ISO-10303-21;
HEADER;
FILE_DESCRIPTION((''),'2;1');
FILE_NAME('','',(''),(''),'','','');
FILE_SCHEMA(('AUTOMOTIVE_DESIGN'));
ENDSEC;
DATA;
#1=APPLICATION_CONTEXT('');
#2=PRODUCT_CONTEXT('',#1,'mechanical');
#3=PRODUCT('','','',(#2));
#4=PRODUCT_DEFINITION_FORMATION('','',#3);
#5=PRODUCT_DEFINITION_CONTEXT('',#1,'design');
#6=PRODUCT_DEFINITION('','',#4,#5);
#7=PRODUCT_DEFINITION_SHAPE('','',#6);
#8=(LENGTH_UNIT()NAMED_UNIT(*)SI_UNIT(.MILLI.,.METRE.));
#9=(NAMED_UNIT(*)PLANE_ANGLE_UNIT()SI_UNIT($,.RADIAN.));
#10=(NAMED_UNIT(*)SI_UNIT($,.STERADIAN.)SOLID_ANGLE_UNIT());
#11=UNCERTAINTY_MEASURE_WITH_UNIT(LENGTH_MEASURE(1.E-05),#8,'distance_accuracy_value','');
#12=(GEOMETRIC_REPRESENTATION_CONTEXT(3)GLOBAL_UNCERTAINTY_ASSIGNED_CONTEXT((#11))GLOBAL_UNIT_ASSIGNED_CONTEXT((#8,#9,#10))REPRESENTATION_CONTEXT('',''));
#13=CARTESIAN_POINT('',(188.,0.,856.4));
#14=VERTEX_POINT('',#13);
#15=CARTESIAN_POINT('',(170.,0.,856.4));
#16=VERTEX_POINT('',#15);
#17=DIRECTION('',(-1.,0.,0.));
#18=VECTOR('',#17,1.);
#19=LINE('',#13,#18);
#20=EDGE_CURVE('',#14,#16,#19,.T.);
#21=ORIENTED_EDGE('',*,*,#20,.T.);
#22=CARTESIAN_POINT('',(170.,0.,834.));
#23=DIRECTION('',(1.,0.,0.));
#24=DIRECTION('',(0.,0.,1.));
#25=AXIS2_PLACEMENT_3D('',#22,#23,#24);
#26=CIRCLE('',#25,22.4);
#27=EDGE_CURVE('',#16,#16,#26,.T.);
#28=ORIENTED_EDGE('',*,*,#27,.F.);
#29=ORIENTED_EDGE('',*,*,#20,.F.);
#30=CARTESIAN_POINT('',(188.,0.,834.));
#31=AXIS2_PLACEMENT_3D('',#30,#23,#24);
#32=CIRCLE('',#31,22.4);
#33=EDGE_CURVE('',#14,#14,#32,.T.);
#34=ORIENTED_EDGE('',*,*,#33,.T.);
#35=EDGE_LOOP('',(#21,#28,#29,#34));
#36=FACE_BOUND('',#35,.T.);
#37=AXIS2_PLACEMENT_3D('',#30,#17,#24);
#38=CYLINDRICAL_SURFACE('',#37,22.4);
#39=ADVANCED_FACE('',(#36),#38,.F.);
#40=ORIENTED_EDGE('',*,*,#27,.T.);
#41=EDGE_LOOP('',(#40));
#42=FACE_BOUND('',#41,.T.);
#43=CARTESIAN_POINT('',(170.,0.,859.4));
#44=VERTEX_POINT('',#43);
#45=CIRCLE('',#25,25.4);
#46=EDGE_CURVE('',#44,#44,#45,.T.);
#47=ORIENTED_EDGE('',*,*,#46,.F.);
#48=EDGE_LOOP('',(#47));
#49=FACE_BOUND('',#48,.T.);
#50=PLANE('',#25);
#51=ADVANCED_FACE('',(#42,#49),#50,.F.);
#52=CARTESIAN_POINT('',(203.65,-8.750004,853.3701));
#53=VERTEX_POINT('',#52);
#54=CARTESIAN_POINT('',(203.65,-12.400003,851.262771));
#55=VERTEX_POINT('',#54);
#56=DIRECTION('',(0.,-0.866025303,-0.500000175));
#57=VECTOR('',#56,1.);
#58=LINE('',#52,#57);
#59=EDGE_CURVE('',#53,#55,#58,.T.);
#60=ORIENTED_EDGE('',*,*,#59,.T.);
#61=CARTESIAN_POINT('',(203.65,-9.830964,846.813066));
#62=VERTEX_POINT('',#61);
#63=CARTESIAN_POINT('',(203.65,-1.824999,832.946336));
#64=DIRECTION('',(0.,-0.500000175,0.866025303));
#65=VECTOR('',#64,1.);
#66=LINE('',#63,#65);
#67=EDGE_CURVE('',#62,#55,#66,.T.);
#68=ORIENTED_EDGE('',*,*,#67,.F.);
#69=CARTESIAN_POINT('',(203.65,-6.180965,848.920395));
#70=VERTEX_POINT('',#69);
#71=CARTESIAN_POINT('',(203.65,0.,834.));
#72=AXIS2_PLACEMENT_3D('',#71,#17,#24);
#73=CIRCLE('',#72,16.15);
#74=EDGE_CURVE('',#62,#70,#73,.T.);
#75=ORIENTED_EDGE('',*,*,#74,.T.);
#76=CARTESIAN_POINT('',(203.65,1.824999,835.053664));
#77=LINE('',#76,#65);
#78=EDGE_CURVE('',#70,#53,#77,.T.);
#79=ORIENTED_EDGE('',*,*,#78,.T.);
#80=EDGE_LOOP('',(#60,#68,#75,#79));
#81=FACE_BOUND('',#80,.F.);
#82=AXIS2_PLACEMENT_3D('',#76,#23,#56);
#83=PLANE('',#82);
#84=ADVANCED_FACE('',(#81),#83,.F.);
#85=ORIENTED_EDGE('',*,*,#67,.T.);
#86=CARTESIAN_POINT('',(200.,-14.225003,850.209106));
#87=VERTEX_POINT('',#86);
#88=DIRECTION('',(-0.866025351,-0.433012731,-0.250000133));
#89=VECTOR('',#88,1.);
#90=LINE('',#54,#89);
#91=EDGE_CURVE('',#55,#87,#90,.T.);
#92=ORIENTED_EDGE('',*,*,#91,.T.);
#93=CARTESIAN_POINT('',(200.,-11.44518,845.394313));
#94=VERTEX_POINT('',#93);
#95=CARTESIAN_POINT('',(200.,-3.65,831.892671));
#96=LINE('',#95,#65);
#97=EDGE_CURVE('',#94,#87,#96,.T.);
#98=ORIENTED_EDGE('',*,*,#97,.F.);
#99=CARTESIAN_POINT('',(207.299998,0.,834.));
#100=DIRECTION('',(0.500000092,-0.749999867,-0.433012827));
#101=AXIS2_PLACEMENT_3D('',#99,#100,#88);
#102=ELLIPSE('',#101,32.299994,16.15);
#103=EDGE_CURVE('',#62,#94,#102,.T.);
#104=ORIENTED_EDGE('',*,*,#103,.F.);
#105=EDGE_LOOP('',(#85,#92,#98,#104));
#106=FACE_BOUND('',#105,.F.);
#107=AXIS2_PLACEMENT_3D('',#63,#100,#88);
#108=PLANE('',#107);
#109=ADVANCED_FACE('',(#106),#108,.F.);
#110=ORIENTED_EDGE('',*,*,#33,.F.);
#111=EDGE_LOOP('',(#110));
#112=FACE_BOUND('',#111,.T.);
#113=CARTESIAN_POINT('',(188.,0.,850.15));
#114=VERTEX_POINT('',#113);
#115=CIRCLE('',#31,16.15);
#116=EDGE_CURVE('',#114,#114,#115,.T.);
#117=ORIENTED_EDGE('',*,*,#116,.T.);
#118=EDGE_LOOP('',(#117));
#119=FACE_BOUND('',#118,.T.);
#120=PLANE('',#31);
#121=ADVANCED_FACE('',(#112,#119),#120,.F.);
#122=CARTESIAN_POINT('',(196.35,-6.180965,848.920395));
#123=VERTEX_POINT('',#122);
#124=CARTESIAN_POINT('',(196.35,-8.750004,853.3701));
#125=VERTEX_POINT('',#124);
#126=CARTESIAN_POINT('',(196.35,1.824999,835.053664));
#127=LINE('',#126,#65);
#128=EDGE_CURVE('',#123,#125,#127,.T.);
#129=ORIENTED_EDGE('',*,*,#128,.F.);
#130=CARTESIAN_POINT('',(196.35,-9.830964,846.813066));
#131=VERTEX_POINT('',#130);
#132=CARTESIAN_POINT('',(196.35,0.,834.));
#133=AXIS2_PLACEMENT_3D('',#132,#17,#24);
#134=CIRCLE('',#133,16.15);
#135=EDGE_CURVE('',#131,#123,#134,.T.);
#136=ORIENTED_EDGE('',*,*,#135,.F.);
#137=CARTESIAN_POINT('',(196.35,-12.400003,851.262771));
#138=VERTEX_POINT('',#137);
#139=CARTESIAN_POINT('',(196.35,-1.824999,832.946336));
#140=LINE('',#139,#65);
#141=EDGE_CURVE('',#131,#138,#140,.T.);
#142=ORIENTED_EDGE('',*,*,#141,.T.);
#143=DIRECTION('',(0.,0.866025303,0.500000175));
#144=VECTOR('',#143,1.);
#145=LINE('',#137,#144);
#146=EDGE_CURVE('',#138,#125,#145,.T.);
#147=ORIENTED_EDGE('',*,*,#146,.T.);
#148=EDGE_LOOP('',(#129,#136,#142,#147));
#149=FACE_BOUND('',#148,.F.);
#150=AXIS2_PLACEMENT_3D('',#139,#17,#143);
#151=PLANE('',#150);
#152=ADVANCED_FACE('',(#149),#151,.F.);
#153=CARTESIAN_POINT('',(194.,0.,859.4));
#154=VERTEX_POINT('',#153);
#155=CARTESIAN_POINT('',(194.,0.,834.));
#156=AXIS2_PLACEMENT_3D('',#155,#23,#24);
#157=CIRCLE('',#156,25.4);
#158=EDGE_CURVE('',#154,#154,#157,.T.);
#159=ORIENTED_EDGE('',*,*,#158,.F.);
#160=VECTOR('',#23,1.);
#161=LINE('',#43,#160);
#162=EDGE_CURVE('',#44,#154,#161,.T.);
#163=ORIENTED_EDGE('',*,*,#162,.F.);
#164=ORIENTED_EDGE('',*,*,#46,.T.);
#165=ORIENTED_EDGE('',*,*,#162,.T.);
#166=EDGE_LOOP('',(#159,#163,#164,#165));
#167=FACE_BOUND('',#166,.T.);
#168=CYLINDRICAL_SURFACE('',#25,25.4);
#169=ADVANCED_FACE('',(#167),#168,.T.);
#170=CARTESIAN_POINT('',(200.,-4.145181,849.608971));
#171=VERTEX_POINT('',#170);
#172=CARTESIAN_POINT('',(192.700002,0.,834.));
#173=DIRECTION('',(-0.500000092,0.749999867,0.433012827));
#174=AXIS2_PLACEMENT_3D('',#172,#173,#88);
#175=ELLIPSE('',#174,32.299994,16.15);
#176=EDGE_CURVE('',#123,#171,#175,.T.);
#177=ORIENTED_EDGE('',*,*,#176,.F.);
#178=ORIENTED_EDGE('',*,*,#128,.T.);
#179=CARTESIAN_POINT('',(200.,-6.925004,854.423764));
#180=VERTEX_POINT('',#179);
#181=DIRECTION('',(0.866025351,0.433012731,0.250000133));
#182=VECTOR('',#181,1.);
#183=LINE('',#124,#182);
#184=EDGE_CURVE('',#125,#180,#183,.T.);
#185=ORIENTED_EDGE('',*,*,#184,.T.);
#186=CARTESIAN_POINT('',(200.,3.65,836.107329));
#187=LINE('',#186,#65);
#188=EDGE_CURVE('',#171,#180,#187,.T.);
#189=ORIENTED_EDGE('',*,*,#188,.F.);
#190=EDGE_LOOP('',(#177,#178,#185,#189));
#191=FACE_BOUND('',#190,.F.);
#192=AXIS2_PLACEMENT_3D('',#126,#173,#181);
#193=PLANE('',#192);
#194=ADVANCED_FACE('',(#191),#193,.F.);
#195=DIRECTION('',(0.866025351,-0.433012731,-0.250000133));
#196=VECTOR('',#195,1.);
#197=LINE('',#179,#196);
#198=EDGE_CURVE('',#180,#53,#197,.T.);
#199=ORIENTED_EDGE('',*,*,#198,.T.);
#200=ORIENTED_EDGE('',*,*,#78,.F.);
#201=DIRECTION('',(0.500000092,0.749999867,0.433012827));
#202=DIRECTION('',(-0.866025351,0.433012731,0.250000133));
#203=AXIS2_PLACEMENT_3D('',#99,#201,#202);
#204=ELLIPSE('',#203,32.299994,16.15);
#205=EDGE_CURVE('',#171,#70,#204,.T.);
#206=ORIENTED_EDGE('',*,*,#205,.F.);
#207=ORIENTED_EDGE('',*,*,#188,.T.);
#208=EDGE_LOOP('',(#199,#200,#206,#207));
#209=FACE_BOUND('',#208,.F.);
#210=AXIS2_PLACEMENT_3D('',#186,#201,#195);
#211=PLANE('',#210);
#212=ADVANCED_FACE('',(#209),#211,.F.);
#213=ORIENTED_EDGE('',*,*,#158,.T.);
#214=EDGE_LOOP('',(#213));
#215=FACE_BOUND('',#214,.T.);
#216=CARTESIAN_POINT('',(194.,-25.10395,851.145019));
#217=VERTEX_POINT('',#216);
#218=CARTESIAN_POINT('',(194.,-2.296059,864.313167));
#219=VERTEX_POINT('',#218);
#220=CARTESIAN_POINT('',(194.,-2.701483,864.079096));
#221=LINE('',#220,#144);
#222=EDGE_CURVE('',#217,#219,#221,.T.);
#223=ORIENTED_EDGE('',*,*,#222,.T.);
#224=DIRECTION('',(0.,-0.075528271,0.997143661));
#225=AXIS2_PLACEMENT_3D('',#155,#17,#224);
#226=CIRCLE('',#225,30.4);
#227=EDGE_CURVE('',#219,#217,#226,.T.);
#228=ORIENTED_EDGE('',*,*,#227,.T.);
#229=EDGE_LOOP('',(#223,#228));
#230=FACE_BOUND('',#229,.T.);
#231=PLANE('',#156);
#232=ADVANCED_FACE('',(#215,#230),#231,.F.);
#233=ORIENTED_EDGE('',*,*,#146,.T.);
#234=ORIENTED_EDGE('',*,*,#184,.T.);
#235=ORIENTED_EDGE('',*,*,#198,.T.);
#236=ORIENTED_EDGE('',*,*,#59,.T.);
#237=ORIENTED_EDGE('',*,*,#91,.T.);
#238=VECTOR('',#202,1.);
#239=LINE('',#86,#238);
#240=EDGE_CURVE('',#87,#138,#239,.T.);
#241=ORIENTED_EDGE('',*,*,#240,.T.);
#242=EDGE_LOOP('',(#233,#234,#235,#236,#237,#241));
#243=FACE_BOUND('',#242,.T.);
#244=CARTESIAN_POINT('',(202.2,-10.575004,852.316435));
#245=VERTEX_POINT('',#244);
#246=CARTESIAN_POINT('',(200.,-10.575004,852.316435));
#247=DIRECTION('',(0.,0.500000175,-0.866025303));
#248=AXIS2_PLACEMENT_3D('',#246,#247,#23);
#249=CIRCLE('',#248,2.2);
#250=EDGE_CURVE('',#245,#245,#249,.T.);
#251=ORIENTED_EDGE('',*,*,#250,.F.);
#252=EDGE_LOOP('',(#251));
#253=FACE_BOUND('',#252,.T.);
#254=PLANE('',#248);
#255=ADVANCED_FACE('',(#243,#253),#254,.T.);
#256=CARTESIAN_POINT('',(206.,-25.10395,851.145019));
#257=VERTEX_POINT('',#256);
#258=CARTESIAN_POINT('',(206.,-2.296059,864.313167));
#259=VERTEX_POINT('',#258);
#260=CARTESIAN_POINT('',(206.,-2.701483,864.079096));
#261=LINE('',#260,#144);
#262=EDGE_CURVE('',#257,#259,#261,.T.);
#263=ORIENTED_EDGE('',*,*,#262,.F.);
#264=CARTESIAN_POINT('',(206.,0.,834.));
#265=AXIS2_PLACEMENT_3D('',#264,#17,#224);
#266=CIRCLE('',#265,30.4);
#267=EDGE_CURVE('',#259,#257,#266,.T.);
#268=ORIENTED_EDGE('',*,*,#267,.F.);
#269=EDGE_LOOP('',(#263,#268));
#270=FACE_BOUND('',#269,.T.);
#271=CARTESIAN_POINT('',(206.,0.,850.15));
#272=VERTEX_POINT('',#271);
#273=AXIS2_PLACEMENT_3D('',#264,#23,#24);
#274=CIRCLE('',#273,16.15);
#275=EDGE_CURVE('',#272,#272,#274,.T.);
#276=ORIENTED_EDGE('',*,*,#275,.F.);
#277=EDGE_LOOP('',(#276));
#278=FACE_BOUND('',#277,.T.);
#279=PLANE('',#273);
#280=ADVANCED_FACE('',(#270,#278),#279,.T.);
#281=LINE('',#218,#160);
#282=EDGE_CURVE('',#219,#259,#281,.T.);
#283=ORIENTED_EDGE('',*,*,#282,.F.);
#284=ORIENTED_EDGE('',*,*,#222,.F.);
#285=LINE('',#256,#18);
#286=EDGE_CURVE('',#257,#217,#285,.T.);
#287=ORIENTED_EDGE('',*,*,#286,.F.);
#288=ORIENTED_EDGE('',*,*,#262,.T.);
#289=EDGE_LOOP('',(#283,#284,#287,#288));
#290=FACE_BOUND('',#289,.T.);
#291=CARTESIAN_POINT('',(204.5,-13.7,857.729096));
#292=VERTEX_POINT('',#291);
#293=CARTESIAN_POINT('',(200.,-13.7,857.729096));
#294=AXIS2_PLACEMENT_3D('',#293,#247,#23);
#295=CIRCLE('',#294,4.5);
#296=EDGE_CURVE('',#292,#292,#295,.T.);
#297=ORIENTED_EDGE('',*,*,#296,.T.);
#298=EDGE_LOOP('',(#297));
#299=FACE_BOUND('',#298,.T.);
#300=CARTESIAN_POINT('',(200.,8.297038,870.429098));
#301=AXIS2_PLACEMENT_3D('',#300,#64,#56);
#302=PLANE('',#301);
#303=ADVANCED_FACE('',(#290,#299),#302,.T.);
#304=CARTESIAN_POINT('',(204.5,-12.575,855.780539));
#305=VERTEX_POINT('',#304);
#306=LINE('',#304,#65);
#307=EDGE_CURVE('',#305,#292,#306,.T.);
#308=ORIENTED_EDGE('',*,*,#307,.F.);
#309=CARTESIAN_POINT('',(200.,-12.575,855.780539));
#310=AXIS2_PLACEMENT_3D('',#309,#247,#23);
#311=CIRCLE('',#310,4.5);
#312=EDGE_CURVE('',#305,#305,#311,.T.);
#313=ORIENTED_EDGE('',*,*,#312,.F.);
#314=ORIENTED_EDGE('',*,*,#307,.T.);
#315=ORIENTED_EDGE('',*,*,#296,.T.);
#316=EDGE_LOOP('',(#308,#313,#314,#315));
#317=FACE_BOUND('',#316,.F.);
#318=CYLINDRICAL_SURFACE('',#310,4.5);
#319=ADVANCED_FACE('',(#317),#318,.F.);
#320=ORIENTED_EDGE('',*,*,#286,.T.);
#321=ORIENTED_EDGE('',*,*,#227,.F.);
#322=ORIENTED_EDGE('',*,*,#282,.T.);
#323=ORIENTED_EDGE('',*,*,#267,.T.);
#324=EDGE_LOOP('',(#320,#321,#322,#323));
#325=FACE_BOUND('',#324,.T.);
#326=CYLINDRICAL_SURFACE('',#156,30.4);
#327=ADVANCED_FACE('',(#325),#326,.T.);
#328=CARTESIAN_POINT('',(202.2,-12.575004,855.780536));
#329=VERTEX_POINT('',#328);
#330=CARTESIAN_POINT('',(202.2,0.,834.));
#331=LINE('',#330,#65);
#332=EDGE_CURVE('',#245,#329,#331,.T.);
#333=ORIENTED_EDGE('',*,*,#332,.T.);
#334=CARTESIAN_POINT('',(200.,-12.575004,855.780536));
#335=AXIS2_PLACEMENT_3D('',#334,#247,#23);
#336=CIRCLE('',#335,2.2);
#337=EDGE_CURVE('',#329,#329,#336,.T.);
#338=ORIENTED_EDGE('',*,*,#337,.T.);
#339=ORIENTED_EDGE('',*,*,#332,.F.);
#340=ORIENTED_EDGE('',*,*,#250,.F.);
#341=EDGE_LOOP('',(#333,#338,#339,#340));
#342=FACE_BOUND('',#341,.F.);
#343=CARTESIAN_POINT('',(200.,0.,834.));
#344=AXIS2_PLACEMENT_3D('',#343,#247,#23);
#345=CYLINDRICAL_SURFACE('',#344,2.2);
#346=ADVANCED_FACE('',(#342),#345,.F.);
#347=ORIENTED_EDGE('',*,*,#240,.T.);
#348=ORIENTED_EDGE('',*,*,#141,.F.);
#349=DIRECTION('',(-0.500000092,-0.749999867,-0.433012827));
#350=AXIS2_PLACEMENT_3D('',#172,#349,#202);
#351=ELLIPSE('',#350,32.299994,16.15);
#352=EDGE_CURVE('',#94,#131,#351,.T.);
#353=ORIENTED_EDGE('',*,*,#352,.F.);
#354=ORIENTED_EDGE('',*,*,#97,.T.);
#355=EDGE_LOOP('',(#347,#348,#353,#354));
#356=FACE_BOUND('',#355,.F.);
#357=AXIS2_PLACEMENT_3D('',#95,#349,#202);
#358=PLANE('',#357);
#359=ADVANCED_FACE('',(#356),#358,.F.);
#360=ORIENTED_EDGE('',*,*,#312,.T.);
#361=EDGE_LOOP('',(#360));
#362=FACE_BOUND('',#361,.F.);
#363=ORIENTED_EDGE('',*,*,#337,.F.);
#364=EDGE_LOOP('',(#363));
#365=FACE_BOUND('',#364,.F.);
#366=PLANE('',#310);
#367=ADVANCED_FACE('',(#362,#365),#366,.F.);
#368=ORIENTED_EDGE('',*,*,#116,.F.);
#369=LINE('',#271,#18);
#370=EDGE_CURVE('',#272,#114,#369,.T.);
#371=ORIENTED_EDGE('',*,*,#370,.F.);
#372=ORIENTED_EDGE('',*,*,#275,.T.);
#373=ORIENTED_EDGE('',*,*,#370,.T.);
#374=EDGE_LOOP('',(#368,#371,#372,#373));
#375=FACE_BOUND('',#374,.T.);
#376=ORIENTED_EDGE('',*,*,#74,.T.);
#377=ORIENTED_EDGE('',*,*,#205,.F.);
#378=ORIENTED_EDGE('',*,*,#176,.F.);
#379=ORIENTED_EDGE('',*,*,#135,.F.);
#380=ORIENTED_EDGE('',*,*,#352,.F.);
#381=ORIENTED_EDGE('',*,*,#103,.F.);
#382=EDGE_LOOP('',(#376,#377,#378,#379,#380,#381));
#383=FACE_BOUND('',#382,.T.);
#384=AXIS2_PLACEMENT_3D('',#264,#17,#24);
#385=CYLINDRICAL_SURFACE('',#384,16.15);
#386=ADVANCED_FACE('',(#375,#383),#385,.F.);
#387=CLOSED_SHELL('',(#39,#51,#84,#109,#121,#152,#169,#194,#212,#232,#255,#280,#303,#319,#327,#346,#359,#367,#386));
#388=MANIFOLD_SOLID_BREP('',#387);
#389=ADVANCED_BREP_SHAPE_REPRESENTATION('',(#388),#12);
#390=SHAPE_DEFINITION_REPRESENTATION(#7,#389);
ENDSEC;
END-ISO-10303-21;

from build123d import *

# Parameters (mm, degrees)
SKETCH147_W          = 50.8
SKETCH147_H          = 7
POCKET092_DEPTH      = 30.001
POCKET092_DEPTH_BACK = 6.001
SKETCH144_R          = 2.2
POCKET093_DEPTH      = 41.528172
POCKET094_DEPTH      = 21.15
SKETCH148_R          = 4.5
POCKET095_DEPTH      = 5


with BuildPart() as part:
    # Sketch143 → Revolution004 (revolve)
    with BuildSketch(Plane.XZ):
        Polygon((0, 25.4), (0, 30.4), (12, 30.4), (12, 16.15), (-6, 16.15), (-6, 22.4), (-24, 22.4), (-24, 25.4), align=None)
    revolve(axis=Axis((0, 0, 0), (1, 0, 0)))

    # Sketch147 (on DatumPlane) → Pocket092 (cut, two sides)
    with BuildSketch(Plane(origin=(6, 0, 0), x_dir=(0, -0.866025, -0.5), z_dir=(1, 0, 0))) as pocket092_sk:
        with Locations((0, -30.9)):
            Rectangle(SKETCH147_W, SKETCH147_H)
    extrude(amount=-POCKET092_DEPTH, mode=Mode.SUBTRACT)
    extrude(pocket092_sk.sketch, amount=POCKET092_DEPTH_BACK, mode=Mode.SUBTRACT)

    # Sketch144 (on DatumPlane) → Pocket093 (cut, through all)
    with BuildSketch(Plane(origin=(6, 0, 0), x_dir=(1, 0, 0), z_dir=(0, 0.5, -0.866025))):
        Circle(SKETCH144_R)
    extrude(amount=-POCKET093_DEPTH, mode=Mode.SUBTRACT)

    # Sketch145 (on DatumPlane) → Pocket094 (cut)
    with BuildSketch(Plane(origin=(6, 0, 0), x_dir=(1, 0, 0), z_dir=(0, 0.5, -0.866025))):
        Polygon((3.65, -2.107328), (3.65, 2.107328), (0, 4.214657), (-3.65, 2.107328), (-3.65, -2.107328), (0, -4.214657), align=None)
    extrude(amount=-POCKET094_DEPTH, mode=Mode.SUBTRACT)

    # Sketch148 (on DatumPlane) → Pocket095 (cut)
    with BuildSketch(Plane(origin=(6, -12.575, 21.780539), x_dir=(1, 0, 0), z_dir=(0, 0.5, -0.866025))):
        Circle(SKETCH148_R)
    extrude(amount=-POCKET095_DEPTH, mode=Mode.SUBTRACT)


with BuildPart() as part_1:
    # Body022029 placement: moved
    add(part.part.moved(Location((194, 0, 834))))


solid = part_1.part
